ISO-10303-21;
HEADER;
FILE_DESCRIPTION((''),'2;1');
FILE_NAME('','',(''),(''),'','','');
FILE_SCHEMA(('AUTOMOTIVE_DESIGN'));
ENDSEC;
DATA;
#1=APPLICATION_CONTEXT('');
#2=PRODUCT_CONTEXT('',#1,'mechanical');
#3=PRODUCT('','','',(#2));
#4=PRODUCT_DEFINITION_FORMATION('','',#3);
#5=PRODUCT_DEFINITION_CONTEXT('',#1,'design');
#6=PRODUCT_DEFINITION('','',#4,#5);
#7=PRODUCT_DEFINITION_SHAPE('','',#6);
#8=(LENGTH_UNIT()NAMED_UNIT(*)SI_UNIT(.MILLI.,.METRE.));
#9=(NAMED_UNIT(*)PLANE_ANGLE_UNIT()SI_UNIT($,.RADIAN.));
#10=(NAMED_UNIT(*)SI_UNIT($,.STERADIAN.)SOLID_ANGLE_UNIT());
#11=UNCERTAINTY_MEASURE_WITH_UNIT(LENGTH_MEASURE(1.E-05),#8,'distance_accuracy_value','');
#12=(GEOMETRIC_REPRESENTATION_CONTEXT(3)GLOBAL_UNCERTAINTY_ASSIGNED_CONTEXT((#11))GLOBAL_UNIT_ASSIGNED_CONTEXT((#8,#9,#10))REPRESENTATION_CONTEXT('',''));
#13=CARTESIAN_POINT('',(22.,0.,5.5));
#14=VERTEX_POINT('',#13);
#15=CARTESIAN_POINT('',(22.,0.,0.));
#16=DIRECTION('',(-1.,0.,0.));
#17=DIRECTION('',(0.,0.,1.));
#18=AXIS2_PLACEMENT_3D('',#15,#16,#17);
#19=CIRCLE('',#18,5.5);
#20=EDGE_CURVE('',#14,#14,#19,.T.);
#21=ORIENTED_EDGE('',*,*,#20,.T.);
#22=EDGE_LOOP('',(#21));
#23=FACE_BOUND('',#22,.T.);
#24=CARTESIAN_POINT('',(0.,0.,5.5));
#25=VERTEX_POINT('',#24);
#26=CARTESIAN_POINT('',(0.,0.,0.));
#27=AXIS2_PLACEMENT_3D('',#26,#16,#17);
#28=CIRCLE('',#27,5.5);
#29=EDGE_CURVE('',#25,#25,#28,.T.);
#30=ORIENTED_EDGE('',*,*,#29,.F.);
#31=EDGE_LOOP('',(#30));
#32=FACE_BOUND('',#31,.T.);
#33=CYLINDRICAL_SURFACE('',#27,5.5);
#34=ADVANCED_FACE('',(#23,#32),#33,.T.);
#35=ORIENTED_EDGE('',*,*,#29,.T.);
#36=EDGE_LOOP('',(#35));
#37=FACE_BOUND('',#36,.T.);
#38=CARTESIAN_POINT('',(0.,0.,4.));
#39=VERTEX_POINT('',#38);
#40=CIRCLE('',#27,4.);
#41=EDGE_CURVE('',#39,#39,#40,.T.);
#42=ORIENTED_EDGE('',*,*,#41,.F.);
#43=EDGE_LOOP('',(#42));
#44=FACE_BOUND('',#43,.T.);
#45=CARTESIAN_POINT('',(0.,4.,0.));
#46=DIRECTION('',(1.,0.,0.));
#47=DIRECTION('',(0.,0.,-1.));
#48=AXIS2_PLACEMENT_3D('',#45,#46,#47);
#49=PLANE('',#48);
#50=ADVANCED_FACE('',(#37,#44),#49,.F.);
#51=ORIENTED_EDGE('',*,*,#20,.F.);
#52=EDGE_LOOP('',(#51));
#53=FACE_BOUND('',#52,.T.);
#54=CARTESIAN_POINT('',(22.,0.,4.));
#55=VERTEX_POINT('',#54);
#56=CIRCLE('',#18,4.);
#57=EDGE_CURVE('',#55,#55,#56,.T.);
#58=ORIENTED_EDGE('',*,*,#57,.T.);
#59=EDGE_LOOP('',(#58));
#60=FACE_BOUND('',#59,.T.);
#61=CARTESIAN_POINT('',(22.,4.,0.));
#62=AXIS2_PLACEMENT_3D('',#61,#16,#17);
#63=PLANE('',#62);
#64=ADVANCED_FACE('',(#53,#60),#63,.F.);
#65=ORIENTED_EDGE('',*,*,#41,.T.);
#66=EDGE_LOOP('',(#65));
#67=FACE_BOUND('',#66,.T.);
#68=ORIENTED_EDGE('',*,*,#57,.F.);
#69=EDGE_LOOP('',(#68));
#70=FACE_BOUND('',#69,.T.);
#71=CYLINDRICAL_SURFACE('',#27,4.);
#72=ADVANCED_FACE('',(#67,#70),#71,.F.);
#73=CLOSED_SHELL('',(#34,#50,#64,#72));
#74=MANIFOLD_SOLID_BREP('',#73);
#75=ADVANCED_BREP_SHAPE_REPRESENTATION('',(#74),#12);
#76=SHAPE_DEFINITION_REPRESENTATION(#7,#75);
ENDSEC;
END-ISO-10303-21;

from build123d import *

# Parameters (mm, degrees)
ESBO_O1_W = 22
ESBO_O1_H = 1.5


with BuildPart() as part:
    # Esboço1 → Revolução1 (revolve)
    with BuildSketch(Plane.XY, mode=Mode.PRIVATE) as revolu_o1_sk:
        with Locations((11, 4.75)):
            Rectangle(ESBO_O1_W, ESBO_O1_H)
    revolve(revolu_o1_sk.sketch.rotate(Axis((0, 0, 0), (1, 0, 0)), 90), axis=Axis((0, 0, 0), (1, 0, 0)))


solid = part.part
